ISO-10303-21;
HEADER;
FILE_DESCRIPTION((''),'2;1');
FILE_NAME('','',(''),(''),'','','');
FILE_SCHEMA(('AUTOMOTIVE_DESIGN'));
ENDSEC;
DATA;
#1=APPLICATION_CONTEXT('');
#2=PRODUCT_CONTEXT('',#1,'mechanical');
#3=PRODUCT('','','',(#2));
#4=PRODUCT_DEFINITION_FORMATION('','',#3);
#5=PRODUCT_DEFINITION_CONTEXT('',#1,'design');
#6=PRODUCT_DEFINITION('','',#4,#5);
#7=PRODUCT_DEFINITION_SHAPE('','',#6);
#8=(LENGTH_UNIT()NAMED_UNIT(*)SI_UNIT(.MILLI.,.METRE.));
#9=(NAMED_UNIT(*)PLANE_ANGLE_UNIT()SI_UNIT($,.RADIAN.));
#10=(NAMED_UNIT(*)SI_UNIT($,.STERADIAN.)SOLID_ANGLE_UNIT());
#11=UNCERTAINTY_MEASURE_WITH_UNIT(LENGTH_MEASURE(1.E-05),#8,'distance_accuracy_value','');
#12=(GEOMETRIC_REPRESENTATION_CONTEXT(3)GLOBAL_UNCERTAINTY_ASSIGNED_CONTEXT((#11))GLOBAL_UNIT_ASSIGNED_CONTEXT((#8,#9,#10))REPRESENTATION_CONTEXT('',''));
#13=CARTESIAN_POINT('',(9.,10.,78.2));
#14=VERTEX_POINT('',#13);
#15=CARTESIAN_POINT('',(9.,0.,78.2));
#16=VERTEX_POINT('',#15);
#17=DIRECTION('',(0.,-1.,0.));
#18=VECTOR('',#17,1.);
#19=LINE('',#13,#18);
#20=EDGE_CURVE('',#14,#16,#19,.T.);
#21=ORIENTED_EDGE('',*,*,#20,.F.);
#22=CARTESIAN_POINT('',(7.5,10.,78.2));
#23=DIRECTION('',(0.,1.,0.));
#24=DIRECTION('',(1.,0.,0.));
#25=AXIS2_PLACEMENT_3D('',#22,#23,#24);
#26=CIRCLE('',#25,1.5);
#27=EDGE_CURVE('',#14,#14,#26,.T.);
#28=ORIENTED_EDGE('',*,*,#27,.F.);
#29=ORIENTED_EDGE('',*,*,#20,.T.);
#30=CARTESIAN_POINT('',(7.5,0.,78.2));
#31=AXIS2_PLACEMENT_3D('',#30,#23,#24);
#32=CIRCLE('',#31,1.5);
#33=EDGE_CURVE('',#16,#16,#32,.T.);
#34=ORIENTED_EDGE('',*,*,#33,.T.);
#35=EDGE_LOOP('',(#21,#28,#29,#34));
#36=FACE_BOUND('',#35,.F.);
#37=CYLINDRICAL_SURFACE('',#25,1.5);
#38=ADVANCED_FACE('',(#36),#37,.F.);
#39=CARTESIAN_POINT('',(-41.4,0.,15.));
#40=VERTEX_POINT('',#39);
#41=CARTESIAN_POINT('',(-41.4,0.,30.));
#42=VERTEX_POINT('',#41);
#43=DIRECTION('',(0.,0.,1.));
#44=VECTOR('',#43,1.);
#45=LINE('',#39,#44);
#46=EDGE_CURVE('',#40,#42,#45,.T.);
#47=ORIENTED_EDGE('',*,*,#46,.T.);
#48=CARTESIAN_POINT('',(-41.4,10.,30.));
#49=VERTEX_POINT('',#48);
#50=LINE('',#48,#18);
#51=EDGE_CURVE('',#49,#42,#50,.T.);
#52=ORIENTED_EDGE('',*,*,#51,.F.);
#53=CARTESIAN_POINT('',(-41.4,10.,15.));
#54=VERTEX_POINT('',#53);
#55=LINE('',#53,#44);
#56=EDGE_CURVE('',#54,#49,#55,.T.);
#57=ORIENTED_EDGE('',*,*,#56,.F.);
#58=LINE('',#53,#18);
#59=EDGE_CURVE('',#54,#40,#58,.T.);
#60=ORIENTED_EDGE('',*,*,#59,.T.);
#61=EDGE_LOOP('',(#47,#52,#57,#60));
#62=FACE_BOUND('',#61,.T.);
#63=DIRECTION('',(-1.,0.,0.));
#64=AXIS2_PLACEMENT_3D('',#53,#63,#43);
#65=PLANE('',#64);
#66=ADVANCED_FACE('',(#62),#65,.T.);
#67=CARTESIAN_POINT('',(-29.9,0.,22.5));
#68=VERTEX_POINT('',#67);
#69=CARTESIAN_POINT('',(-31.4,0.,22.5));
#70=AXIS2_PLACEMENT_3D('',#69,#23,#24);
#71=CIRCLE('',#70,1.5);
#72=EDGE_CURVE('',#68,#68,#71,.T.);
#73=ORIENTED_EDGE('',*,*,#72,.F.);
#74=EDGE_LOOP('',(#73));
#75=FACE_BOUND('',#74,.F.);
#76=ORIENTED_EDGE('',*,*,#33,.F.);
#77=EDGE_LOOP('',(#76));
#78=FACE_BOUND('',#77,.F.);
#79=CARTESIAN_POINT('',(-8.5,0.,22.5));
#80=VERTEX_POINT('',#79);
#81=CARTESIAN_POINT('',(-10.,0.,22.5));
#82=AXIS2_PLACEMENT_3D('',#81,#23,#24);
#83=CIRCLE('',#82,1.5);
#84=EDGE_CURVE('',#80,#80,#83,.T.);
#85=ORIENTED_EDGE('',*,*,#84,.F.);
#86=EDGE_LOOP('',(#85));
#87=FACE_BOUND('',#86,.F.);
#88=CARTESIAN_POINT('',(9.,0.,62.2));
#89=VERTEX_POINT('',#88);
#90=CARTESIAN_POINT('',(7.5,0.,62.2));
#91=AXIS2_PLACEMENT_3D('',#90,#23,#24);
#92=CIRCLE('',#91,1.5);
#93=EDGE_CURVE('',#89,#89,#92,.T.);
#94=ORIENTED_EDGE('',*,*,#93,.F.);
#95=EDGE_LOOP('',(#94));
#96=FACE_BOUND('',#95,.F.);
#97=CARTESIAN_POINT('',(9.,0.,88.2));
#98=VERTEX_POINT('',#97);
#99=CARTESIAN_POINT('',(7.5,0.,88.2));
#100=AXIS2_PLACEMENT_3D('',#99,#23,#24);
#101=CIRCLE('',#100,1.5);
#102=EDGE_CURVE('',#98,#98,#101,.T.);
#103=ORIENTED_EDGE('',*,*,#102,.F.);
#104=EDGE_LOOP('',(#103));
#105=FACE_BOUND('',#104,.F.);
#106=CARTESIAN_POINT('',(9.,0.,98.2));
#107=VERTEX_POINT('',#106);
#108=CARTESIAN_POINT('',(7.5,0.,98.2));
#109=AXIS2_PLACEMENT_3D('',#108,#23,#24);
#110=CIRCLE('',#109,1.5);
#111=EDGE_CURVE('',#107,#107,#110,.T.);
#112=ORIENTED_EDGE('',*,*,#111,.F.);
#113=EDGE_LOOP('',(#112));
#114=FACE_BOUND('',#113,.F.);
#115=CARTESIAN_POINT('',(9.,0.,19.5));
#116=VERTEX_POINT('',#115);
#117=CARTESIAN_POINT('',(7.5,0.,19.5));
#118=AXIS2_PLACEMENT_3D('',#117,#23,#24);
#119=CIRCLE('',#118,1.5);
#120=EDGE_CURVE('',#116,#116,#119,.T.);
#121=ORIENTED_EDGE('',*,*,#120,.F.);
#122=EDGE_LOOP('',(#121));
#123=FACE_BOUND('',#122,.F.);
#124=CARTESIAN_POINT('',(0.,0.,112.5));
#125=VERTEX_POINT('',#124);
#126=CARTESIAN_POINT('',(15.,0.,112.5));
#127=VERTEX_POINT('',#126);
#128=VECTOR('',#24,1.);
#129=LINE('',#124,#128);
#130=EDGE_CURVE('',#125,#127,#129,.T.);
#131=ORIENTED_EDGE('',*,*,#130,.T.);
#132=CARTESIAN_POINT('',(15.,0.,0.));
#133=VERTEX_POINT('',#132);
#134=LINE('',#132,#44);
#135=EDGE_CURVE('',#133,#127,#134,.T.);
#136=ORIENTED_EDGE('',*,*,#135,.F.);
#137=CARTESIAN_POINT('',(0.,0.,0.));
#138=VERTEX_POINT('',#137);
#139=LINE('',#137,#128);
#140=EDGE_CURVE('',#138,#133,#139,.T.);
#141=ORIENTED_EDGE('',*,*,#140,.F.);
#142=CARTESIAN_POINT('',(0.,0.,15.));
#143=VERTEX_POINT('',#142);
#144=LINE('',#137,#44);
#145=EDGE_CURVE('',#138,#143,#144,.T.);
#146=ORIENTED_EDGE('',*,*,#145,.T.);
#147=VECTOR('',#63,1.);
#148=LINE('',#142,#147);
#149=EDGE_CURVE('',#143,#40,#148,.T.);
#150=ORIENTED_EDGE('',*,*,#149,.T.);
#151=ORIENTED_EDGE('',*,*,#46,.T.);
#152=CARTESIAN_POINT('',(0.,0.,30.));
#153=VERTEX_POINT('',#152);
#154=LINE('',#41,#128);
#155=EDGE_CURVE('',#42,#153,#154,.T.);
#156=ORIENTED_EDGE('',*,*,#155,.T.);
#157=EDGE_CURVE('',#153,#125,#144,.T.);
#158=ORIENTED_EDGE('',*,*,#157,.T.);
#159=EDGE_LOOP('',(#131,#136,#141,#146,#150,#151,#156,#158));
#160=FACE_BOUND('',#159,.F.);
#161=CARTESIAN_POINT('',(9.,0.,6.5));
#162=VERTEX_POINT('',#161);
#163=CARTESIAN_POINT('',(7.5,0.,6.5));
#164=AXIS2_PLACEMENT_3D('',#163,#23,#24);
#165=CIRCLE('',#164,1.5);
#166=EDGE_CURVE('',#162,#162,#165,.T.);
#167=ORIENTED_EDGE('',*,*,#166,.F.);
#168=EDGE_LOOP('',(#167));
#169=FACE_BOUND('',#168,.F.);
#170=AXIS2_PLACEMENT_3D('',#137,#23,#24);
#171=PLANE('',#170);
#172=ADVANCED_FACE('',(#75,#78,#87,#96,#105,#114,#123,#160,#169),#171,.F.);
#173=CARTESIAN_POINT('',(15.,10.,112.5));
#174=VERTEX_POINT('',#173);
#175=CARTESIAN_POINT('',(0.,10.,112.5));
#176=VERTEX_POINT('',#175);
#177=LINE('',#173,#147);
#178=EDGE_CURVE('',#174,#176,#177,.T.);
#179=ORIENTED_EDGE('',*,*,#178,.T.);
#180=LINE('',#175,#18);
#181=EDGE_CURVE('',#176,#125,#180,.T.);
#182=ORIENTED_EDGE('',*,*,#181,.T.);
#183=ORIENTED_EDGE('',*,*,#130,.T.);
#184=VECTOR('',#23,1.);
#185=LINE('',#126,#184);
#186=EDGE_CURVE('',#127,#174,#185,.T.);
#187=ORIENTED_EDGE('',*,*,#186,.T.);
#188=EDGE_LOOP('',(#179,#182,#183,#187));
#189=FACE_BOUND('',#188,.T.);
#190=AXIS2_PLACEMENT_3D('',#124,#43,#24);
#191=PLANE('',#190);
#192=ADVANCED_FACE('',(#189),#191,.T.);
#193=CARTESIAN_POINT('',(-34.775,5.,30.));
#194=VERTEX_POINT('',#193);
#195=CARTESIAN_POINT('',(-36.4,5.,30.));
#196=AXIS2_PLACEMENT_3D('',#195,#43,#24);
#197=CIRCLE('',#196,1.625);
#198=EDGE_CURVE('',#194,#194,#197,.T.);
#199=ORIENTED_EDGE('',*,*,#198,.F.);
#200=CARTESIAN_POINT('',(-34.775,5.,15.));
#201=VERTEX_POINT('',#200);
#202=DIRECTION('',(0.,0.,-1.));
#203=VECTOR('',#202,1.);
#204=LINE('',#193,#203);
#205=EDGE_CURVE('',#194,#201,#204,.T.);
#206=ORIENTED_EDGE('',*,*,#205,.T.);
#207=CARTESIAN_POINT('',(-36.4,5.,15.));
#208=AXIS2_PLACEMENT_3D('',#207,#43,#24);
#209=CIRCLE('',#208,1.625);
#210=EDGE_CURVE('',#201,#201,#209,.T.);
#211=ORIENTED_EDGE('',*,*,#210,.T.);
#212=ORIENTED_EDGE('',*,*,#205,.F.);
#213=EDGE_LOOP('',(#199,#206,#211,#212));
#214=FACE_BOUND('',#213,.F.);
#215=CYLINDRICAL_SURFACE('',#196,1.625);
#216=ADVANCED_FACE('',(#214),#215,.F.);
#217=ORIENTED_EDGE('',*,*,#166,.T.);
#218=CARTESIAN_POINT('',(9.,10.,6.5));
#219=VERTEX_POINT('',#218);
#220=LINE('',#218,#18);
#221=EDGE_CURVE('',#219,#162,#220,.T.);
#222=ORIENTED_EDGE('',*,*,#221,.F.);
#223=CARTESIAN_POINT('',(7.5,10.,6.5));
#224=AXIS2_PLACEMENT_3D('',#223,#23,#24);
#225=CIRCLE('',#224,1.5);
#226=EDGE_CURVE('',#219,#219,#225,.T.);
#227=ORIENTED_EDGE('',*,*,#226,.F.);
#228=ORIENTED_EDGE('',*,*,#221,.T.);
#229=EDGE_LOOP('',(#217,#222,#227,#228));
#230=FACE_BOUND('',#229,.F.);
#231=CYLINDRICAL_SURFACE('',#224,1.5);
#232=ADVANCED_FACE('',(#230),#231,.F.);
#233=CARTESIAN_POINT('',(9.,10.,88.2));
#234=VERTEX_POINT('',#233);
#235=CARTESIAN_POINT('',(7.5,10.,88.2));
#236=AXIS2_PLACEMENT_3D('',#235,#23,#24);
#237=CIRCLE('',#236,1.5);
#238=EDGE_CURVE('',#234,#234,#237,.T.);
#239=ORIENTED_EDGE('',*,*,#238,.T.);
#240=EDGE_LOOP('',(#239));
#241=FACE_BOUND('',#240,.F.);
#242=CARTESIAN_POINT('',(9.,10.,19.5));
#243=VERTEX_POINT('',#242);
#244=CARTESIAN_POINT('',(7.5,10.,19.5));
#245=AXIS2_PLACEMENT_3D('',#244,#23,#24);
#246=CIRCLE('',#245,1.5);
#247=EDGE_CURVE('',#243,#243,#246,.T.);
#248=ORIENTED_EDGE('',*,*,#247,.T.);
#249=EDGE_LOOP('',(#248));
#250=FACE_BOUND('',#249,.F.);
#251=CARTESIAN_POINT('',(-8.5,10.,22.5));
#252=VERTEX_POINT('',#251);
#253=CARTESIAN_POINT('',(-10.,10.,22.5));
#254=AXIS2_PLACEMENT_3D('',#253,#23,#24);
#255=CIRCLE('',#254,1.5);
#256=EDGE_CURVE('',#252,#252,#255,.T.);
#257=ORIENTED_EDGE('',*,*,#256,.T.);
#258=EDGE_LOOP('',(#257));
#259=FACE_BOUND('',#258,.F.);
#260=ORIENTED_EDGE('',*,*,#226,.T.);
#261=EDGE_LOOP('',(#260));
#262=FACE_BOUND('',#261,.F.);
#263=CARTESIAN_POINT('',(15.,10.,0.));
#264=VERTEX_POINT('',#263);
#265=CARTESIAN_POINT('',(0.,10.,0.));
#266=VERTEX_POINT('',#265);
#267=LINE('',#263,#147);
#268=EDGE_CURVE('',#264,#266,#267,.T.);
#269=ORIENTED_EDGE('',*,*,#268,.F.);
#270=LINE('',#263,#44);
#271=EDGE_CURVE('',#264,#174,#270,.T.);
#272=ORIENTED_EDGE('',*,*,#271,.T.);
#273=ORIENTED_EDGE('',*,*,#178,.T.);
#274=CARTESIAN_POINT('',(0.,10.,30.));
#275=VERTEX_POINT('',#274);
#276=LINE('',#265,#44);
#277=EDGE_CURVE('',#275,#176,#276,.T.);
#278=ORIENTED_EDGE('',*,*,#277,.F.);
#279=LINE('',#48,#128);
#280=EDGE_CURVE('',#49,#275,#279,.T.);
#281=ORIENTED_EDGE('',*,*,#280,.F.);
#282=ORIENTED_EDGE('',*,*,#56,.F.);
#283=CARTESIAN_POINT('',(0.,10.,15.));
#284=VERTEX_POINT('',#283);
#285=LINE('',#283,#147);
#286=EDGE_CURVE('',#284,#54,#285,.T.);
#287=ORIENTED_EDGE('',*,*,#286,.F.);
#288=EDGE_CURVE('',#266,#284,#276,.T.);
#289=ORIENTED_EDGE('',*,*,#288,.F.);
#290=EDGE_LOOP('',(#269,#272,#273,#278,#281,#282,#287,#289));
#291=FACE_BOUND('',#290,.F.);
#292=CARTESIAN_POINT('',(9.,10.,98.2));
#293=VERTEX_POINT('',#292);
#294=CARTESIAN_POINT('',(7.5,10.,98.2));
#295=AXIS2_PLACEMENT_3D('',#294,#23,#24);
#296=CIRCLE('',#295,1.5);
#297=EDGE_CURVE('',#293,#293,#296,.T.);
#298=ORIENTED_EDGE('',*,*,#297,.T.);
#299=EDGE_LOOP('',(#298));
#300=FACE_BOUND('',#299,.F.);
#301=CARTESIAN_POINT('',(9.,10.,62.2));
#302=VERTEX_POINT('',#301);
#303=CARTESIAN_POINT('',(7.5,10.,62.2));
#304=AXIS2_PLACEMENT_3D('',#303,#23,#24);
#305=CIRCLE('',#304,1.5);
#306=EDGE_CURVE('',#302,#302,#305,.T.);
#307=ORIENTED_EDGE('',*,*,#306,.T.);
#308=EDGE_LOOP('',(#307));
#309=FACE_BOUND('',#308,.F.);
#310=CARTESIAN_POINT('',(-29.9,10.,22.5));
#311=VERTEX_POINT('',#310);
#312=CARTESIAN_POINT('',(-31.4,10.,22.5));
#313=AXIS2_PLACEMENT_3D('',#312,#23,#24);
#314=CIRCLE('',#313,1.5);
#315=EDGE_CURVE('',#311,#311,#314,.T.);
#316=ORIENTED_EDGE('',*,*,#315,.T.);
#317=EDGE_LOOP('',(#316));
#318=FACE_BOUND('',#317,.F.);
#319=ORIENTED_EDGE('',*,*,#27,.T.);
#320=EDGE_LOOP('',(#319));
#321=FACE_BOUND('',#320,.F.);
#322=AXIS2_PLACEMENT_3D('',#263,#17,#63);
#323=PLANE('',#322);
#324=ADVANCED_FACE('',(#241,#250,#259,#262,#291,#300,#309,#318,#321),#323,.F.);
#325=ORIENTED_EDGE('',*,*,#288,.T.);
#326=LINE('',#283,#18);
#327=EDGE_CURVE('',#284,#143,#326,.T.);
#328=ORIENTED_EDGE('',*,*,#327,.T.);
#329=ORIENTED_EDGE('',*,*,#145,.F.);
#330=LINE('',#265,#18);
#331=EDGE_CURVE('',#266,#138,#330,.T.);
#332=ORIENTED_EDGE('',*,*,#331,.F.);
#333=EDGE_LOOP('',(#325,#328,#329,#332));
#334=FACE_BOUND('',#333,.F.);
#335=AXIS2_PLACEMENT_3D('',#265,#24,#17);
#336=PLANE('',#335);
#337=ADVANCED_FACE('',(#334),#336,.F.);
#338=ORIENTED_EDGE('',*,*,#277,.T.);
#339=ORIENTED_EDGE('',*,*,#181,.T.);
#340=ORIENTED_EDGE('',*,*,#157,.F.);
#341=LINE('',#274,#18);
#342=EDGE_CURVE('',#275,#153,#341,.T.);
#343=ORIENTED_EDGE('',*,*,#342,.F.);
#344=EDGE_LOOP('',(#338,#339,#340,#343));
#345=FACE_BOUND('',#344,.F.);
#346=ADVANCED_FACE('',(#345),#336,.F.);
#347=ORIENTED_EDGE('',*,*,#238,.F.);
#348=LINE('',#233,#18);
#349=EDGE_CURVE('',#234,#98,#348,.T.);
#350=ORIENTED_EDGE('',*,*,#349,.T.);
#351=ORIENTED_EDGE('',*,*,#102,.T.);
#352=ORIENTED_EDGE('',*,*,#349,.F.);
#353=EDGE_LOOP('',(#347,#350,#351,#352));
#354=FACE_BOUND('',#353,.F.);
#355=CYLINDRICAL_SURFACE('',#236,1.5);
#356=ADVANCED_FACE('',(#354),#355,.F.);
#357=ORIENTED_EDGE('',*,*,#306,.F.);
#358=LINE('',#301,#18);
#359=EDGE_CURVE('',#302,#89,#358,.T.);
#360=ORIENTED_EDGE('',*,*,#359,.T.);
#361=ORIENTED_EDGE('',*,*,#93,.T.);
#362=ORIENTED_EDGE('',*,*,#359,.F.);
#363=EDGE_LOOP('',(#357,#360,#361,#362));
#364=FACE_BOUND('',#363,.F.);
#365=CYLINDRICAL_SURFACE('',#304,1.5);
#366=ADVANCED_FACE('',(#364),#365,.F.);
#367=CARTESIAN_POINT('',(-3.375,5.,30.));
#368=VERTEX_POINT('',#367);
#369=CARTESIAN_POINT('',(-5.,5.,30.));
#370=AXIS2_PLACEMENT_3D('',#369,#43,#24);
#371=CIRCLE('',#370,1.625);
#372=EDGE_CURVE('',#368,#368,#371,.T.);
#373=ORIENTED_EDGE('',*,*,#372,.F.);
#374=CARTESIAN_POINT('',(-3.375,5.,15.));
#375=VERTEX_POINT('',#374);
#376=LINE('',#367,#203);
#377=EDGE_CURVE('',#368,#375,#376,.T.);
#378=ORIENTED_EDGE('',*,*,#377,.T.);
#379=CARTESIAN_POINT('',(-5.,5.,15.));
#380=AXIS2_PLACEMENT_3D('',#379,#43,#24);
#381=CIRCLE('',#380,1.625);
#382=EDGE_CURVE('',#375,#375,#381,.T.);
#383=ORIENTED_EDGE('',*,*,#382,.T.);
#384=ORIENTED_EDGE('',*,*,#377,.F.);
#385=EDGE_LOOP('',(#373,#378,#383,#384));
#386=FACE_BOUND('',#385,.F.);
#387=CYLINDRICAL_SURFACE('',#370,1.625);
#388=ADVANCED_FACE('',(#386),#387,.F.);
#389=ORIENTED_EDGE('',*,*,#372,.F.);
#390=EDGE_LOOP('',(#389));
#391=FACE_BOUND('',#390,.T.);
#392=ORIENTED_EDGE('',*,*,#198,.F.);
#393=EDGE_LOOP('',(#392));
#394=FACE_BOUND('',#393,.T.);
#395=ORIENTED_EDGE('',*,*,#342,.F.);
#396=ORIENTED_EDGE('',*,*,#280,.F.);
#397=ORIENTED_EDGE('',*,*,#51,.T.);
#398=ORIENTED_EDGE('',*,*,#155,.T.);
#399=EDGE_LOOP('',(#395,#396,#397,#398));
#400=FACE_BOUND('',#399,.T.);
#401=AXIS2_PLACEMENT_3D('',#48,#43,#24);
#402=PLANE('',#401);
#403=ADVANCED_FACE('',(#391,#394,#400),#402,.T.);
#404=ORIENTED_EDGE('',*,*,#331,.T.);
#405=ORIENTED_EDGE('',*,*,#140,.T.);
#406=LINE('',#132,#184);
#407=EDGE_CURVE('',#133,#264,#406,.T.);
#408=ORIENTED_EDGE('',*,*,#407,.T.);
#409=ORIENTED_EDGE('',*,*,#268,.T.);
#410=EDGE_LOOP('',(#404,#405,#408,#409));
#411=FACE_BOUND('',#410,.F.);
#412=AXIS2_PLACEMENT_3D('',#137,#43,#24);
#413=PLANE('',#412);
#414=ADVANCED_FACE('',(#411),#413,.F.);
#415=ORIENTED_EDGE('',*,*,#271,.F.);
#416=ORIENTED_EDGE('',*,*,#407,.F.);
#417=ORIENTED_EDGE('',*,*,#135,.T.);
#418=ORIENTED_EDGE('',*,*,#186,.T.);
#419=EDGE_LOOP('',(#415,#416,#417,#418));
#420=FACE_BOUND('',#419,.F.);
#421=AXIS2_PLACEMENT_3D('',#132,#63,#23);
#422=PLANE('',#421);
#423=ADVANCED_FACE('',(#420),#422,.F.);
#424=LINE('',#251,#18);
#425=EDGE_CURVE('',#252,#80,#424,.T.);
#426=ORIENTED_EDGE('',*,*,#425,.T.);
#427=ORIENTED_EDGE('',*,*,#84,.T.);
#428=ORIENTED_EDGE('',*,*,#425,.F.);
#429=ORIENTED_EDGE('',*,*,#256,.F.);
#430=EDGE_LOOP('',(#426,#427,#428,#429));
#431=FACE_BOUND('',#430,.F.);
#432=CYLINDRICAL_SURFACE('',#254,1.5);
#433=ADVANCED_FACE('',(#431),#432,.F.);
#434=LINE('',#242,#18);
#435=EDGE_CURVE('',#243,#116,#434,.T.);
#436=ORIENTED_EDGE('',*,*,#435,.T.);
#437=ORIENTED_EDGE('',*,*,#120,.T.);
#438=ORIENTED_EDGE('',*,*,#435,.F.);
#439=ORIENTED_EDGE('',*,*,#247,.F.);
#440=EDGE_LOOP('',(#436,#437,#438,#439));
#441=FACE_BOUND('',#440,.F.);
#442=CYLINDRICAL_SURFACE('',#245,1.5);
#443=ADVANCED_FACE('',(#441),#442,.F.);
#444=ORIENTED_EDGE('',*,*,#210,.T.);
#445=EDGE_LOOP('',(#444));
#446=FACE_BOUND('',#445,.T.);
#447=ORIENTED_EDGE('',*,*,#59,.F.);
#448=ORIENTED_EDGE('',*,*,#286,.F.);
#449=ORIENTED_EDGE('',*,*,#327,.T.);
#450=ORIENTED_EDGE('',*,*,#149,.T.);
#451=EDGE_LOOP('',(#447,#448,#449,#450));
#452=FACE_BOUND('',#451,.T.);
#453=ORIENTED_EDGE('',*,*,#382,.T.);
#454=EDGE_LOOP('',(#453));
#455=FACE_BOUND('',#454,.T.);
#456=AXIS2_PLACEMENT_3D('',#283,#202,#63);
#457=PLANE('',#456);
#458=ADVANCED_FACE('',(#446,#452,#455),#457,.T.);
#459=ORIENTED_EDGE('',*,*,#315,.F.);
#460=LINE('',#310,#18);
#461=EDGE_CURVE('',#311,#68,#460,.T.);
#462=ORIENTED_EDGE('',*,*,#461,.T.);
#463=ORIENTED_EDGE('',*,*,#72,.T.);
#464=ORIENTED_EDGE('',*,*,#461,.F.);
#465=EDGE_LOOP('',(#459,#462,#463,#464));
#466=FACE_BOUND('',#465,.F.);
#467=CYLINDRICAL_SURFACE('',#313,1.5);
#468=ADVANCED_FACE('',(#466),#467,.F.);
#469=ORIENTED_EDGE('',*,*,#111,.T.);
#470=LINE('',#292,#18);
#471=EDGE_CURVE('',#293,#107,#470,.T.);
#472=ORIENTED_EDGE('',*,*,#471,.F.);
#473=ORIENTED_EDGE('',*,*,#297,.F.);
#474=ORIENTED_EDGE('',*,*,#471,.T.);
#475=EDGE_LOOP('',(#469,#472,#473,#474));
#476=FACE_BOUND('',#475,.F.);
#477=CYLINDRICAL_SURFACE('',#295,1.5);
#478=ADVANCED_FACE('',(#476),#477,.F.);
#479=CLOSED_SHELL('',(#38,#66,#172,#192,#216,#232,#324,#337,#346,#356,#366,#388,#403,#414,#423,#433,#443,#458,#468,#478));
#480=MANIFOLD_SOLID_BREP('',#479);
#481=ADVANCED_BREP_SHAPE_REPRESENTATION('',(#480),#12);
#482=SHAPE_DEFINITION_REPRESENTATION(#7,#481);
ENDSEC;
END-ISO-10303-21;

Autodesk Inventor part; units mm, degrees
ref_plane "YZ Plane" through (0, 0, 0) normal (1, 0, 0) x (0, 1, 0)
ref_plane "XZ Plane" through (0, 0, 0) normal (0, 1, 0) x (-1, 0, 0)
ref_plane "XY Plane" through (0, 0, 0) normal (0, 0, 1) x (1, 0, 0)
sketch "Sketch1" plane through (0, 0, 0) normal (0, 0, 1) x (1, 0, 0)
  line L0 (0, 0) -> (15, 0)
  line L1 (15, 0) -> (15, 10)
  line L2 (15, 10) -> (0, 10)
  line L3 (0, 10) -> (0, 0)
  line L4 (1, 9) -> (14, 9)
  line L5 (14, 9) -> (14, 1)
  line L6 (14, 1) -> (1, 1)
  line L7 (1, 1) -> (1, 9)
  dimension "d0" = 15
  dimension "d1" = 10
  dimension "d2" = 13
  dimension "d3" = 8
  dimension "d4" = 1
  dimension "d5" = 1
extrude "Extrusion1" add sketch "Sketch1" along normal blind 112.5 contours L3 L2 L1 L0 | L4 L5 L6 L7
sketch "Sketch2" plane through (0, 10, 0) normal (0, 1, 0) x (1, 0, 0)
  line L0 (15, 0) -> (0, 0) projected
  line L1 (0, 0) -> (0, -112.5) projected
  line L2 (15, -112.5) -> (0, -112.5) projected
  line L3 (15, 0) -> (15, -112.5) projected
  circle A0 centre (7.5, -6.5) radius 1.5
  circle A1 centre (7.5, -98.2) radius 1.5
  circle A2 centre (7.5, -19.5) radius 1.5
  circle A3 centre (7.5, -88.2) radius 1.5
  circle A4 centre (7.5, -78.2) radius 1.5
  circle A5 centre (7.5, -62.2) radius 1.5
  dimension "d8" = 3
  dimension "d9" = 3
  dimension "d10" = 7.5
  dimension "d11" = 7.5
  dimension "d13" = 14.3
  dimension "d24" = 3
  dimension "d25" = 3
  dimension "d26" = 3
  dimension "d27" = 3
  dimension "d28" = 7.5
  dimension "d29" = 7.5
  dimension "d30" = 7.5
  dimension "d31" = 7.5
  dimension "d32" = 13
  dimension "d33" = 10
  dimension "d34" = 10
  dimension "d35" = 16
  dimension "d55" = 6.5
extrude "Extrusion2" cut sketch "Sketch2" against normal up to surface (10 mm away) contours A0 | A1 | A2 | A3 | A4 | A5
sketch "Sketch3" plane through (15, 0, 0) normal (1, 0, 0) x (0, 0, -1)
  line L0 (0, 0) -> (0, 10) projected
  line L1 (0, 10) -> (-112.5, 10) projected
  line L2 (-112.5, 0) -> (-112.5, 10) projected
  line L3 (0, 0) -> (-112.5, 0) projected
  circle A0 centre (-9, 5) radius 1.5
  circle A1 centre (-107.5, 5) radius 1.5
  dimension "d16" = 3
  dimension "d17" = 5
  dimension "d18" = 9
  dimension "d21" = 3
  dimension "d22" = 5
  dimension "d23" = 5
extrude "Extrusion3" [suppressed]
sketch "Sketch4" plane through (0, 10, 0) normal (0, 1, 0) x (1, 0, 0)
  circle A0 centre (7.5, -62.2) radius 1.5 projected
  circle A1 centre (7.5, -88.2) radius 1.5 projected
  circle A2 centre (7.5, -98.2) radius 1.5 projected
  circle A3 centre (7.5, -19.5) radius 1.5 projected
  circle A4 centre (7.5, -78.2) radius 1.5 projected
  circle A5 centre (7.5, -6.5) radius 1.5 projected
  line L0 (15, 0) -> (0, 0) projected
  line L1 (0, 0) -> (0, -112.5) projected
  line L2 (15, -112.5) -> (0, -112.5) projected
  line L3 (15, 0) -> (15, -112.5) projected
  line L4 (0, 0) -> (0, -112.5) projected
  line L5 (0, -15) -> (-41.4, -15)
  line L6 (-41.4, -15) -> (-41.4, -30)
  line L7 (-41.4, -30) -> (0, -30)
  line L8 (0, -30) -> (0, -15)
  circle A6 centre (-10, -22.5) radius 1.5
  circle A7 centre (-31.4, -22.5) radius 1.5
  point P0 (0, -30)
  dimension "d36" = 15
  dimension "d37" = 15
  dimension "d38" = 41.4
  dimension "d39" = 3
  dimension "d40" = 3
  dimension "d41" = 7.5
  dimension "d42" = 7.5
  dimension "d43" = 10
  dimension "d44" = 10
extrude "Extrusion4" add sketch "Sketch4" against normal blind 10 contours L1 L7 L6 L5
sketch "Sketch5" plane through (-41.4, 10, 30) normal (0, 0, 1) x (1, 0, 0)
  line L0 (0, 0) -> (41.4, 0) projected
  line L1 (0, 0) -> (0, -10) projected
  line L2 (41.4, -10) -> (0, -10) projected
  line L3 (41.4, 0) -> (41.4, -10) projected
  circle A0 centre (5, -5) radius 1.625
  circle A1 centre (36.4, -5) radius 1.625
  point P0 (41.4, -10)
  dimension "d47" = 3.25
  dimension "d48" = 3.25
  dimension "d49" = 5
  dimension "d50" = 5
  dimension "d51" = 5
  dimension "d52" = 5
extrude "Extrusion5" cut sketch "Sketch5" against normal up to surface (15 mm away) contours A0 | A1
properties part number "profile4_3D" material "Aluminum 6061, Welded"
